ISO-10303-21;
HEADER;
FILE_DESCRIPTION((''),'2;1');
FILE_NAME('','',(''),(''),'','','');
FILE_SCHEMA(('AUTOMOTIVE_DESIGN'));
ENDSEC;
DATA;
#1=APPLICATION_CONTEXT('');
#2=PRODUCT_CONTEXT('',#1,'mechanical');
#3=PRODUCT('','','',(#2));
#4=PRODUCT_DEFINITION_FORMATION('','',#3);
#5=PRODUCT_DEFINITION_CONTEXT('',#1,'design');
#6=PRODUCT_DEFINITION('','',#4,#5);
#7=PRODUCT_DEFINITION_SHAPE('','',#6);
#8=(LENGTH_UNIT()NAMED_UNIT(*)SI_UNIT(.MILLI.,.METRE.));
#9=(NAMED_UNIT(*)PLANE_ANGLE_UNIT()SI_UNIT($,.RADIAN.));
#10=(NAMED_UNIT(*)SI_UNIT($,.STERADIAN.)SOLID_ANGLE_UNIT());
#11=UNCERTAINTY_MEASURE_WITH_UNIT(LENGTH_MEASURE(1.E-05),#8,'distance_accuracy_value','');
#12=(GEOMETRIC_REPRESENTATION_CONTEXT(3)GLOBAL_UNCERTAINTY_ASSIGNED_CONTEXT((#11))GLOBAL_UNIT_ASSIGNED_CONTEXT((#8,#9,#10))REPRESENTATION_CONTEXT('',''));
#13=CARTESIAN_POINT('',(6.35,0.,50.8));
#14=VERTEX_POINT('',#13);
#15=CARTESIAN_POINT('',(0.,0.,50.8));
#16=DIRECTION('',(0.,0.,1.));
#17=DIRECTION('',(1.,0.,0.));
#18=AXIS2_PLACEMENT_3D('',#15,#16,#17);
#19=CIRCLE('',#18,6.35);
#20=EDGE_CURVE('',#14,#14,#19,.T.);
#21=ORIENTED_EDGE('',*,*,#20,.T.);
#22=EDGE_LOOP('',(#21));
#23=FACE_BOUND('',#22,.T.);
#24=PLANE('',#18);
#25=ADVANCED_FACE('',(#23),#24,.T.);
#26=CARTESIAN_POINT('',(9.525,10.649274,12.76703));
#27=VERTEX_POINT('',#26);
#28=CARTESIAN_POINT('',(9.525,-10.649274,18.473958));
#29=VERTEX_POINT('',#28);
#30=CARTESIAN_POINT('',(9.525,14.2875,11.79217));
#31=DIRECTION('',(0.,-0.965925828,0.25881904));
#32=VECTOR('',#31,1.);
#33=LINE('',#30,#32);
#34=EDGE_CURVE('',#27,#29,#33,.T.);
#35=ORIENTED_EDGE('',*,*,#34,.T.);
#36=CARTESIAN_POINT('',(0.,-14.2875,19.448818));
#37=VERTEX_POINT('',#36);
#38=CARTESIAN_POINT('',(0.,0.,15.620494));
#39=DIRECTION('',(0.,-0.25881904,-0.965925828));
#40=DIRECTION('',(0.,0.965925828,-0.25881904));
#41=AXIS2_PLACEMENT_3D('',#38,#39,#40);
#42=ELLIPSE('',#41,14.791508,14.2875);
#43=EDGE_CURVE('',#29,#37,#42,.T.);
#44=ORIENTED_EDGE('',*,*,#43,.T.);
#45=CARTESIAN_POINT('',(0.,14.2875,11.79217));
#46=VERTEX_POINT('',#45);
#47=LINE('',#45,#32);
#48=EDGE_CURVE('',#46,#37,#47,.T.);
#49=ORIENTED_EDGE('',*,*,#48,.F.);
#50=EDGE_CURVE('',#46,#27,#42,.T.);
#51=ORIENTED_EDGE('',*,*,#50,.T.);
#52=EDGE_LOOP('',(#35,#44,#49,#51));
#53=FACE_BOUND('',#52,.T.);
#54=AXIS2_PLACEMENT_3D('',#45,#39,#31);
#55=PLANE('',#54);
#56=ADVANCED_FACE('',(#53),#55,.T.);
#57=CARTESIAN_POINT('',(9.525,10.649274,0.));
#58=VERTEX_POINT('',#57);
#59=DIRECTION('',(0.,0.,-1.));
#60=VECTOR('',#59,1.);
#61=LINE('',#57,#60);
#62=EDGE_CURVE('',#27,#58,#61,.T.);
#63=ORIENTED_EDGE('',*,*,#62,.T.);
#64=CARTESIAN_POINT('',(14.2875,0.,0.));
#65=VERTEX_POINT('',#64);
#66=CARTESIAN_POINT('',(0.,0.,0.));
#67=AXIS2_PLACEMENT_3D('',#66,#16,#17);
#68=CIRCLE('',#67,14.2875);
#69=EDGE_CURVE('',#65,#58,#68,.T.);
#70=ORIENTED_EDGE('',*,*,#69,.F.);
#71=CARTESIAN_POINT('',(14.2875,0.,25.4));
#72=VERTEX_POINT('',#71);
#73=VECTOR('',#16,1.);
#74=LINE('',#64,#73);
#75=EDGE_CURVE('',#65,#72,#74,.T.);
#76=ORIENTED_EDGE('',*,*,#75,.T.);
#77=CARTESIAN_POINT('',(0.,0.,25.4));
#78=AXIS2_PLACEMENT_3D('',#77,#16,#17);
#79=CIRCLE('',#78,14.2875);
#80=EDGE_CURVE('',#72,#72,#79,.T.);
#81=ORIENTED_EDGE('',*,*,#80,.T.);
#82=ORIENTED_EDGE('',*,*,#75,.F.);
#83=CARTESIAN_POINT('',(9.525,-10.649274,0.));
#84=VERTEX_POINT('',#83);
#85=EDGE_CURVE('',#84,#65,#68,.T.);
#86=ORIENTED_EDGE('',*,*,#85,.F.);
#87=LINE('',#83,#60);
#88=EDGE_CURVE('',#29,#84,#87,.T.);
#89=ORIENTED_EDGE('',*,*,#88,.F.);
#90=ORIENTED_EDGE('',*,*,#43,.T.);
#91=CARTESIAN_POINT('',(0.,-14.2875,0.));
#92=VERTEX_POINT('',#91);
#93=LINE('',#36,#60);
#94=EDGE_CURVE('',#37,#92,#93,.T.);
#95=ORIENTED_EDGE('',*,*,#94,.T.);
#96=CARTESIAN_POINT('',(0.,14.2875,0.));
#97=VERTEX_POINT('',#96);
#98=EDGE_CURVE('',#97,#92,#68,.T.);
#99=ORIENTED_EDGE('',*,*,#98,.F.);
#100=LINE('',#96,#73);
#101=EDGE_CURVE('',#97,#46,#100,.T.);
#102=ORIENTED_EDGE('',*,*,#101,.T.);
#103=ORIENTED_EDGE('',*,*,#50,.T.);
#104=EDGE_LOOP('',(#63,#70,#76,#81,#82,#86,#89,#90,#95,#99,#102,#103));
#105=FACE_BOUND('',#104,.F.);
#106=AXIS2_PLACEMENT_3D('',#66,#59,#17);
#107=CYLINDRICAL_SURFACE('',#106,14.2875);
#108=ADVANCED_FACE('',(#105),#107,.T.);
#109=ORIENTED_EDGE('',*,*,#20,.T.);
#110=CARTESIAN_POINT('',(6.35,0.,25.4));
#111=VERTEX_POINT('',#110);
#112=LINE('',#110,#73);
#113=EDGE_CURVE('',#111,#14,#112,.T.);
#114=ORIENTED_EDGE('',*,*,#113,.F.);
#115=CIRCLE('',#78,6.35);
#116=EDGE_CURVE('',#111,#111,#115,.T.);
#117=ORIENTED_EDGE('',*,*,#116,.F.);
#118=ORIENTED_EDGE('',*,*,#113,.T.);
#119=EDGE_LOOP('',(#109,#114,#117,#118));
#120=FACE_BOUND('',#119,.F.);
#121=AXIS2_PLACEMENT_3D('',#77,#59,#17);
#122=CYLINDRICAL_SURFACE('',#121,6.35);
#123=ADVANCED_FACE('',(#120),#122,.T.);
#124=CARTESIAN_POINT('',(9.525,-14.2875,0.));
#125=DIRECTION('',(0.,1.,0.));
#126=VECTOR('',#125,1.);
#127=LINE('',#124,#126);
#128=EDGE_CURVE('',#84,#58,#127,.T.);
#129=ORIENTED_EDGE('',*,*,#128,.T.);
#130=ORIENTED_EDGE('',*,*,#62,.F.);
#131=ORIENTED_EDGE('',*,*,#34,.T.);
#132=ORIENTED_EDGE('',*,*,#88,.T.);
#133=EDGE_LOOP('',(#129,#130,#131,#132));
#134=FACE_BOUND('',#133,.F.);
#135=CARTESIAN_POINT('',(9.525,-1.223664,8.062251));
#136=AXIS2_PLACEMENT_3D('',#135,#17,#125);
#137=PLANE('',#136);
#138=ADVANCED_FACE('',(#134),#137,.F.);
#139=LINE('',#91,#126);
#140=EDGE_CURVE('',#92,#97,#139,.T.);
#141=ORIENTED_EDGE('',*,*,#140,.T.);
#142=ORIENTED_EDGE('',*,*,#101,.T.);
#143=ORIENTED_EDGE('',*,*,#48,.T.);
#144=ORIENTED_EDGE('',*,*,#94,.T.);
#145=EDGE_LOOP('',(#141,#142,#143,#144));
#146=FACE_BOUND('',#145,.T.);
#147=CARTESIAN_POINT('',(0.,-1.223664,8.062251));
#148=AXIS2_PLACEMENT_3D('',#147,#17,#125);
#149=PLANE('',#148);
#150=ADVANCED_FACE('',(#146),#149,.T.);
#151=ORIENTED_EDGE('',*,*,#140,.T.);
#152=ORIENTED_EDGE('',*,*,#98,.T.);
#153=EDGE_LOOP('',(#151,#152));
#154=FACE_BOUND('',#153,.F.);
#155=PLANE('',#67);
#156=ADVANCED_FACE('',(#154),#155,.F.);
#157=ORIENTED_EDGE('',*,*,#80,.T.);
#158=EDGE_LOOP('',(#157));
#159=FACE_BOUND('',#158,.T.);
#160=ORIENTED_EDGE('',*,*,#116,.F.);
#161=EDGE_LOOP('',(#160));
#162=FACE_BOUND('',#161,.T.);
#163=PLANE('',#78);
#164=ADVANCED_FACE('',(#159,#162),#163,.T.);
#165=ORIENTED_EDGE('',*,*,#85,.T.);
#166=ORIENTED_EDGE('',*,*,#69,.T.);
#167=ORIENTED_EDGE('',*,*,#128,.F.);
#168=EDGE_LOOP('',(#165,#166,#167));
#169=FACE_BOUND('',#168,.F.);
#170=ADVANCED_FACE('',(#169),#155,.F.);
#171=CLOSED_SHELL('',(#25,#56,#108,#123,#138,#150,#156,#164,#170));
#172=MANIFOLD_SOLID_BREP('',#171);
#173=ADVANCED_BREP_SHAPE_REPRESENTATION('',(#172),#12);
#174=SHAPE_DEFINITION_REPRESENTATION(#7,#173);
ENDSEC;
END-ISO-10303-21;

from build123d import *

# Parameters (mm, degrees)
F0_R     = 14.2875
F1_DEPTH = 25.4
F2_R     = 6.35
F3_DEPTH = 25.4
F7_DEPTH = 9.525


with BuildPart() as f1:
    # F0 (on Top) → F1 (new body)
    with BuildSketch(Plane.XY):
        Circle(F0_R)
    extrude(amount=F1_DEPTH)

    # F2 (on face) → F3 (join)
    with BuildSketch(Plane.XY.offset(25.4)):
        Circle(F2_R)
    extrude(amount=F3_DEPTH)

    # F6 (on Right) → F7 (cut)
    with BuildSketch(Plane.YZ):
        Polygon((-14.2875, 0), (-11.1125, 0), (11.103606, 0), (14.2875, 0), (14.2875, 11.79217), (-14.2875, 19.448818), align=None)
    extrude(amount=F7_DEPTH, mode=Mode.SUBTRACT)


solid = f1.part
